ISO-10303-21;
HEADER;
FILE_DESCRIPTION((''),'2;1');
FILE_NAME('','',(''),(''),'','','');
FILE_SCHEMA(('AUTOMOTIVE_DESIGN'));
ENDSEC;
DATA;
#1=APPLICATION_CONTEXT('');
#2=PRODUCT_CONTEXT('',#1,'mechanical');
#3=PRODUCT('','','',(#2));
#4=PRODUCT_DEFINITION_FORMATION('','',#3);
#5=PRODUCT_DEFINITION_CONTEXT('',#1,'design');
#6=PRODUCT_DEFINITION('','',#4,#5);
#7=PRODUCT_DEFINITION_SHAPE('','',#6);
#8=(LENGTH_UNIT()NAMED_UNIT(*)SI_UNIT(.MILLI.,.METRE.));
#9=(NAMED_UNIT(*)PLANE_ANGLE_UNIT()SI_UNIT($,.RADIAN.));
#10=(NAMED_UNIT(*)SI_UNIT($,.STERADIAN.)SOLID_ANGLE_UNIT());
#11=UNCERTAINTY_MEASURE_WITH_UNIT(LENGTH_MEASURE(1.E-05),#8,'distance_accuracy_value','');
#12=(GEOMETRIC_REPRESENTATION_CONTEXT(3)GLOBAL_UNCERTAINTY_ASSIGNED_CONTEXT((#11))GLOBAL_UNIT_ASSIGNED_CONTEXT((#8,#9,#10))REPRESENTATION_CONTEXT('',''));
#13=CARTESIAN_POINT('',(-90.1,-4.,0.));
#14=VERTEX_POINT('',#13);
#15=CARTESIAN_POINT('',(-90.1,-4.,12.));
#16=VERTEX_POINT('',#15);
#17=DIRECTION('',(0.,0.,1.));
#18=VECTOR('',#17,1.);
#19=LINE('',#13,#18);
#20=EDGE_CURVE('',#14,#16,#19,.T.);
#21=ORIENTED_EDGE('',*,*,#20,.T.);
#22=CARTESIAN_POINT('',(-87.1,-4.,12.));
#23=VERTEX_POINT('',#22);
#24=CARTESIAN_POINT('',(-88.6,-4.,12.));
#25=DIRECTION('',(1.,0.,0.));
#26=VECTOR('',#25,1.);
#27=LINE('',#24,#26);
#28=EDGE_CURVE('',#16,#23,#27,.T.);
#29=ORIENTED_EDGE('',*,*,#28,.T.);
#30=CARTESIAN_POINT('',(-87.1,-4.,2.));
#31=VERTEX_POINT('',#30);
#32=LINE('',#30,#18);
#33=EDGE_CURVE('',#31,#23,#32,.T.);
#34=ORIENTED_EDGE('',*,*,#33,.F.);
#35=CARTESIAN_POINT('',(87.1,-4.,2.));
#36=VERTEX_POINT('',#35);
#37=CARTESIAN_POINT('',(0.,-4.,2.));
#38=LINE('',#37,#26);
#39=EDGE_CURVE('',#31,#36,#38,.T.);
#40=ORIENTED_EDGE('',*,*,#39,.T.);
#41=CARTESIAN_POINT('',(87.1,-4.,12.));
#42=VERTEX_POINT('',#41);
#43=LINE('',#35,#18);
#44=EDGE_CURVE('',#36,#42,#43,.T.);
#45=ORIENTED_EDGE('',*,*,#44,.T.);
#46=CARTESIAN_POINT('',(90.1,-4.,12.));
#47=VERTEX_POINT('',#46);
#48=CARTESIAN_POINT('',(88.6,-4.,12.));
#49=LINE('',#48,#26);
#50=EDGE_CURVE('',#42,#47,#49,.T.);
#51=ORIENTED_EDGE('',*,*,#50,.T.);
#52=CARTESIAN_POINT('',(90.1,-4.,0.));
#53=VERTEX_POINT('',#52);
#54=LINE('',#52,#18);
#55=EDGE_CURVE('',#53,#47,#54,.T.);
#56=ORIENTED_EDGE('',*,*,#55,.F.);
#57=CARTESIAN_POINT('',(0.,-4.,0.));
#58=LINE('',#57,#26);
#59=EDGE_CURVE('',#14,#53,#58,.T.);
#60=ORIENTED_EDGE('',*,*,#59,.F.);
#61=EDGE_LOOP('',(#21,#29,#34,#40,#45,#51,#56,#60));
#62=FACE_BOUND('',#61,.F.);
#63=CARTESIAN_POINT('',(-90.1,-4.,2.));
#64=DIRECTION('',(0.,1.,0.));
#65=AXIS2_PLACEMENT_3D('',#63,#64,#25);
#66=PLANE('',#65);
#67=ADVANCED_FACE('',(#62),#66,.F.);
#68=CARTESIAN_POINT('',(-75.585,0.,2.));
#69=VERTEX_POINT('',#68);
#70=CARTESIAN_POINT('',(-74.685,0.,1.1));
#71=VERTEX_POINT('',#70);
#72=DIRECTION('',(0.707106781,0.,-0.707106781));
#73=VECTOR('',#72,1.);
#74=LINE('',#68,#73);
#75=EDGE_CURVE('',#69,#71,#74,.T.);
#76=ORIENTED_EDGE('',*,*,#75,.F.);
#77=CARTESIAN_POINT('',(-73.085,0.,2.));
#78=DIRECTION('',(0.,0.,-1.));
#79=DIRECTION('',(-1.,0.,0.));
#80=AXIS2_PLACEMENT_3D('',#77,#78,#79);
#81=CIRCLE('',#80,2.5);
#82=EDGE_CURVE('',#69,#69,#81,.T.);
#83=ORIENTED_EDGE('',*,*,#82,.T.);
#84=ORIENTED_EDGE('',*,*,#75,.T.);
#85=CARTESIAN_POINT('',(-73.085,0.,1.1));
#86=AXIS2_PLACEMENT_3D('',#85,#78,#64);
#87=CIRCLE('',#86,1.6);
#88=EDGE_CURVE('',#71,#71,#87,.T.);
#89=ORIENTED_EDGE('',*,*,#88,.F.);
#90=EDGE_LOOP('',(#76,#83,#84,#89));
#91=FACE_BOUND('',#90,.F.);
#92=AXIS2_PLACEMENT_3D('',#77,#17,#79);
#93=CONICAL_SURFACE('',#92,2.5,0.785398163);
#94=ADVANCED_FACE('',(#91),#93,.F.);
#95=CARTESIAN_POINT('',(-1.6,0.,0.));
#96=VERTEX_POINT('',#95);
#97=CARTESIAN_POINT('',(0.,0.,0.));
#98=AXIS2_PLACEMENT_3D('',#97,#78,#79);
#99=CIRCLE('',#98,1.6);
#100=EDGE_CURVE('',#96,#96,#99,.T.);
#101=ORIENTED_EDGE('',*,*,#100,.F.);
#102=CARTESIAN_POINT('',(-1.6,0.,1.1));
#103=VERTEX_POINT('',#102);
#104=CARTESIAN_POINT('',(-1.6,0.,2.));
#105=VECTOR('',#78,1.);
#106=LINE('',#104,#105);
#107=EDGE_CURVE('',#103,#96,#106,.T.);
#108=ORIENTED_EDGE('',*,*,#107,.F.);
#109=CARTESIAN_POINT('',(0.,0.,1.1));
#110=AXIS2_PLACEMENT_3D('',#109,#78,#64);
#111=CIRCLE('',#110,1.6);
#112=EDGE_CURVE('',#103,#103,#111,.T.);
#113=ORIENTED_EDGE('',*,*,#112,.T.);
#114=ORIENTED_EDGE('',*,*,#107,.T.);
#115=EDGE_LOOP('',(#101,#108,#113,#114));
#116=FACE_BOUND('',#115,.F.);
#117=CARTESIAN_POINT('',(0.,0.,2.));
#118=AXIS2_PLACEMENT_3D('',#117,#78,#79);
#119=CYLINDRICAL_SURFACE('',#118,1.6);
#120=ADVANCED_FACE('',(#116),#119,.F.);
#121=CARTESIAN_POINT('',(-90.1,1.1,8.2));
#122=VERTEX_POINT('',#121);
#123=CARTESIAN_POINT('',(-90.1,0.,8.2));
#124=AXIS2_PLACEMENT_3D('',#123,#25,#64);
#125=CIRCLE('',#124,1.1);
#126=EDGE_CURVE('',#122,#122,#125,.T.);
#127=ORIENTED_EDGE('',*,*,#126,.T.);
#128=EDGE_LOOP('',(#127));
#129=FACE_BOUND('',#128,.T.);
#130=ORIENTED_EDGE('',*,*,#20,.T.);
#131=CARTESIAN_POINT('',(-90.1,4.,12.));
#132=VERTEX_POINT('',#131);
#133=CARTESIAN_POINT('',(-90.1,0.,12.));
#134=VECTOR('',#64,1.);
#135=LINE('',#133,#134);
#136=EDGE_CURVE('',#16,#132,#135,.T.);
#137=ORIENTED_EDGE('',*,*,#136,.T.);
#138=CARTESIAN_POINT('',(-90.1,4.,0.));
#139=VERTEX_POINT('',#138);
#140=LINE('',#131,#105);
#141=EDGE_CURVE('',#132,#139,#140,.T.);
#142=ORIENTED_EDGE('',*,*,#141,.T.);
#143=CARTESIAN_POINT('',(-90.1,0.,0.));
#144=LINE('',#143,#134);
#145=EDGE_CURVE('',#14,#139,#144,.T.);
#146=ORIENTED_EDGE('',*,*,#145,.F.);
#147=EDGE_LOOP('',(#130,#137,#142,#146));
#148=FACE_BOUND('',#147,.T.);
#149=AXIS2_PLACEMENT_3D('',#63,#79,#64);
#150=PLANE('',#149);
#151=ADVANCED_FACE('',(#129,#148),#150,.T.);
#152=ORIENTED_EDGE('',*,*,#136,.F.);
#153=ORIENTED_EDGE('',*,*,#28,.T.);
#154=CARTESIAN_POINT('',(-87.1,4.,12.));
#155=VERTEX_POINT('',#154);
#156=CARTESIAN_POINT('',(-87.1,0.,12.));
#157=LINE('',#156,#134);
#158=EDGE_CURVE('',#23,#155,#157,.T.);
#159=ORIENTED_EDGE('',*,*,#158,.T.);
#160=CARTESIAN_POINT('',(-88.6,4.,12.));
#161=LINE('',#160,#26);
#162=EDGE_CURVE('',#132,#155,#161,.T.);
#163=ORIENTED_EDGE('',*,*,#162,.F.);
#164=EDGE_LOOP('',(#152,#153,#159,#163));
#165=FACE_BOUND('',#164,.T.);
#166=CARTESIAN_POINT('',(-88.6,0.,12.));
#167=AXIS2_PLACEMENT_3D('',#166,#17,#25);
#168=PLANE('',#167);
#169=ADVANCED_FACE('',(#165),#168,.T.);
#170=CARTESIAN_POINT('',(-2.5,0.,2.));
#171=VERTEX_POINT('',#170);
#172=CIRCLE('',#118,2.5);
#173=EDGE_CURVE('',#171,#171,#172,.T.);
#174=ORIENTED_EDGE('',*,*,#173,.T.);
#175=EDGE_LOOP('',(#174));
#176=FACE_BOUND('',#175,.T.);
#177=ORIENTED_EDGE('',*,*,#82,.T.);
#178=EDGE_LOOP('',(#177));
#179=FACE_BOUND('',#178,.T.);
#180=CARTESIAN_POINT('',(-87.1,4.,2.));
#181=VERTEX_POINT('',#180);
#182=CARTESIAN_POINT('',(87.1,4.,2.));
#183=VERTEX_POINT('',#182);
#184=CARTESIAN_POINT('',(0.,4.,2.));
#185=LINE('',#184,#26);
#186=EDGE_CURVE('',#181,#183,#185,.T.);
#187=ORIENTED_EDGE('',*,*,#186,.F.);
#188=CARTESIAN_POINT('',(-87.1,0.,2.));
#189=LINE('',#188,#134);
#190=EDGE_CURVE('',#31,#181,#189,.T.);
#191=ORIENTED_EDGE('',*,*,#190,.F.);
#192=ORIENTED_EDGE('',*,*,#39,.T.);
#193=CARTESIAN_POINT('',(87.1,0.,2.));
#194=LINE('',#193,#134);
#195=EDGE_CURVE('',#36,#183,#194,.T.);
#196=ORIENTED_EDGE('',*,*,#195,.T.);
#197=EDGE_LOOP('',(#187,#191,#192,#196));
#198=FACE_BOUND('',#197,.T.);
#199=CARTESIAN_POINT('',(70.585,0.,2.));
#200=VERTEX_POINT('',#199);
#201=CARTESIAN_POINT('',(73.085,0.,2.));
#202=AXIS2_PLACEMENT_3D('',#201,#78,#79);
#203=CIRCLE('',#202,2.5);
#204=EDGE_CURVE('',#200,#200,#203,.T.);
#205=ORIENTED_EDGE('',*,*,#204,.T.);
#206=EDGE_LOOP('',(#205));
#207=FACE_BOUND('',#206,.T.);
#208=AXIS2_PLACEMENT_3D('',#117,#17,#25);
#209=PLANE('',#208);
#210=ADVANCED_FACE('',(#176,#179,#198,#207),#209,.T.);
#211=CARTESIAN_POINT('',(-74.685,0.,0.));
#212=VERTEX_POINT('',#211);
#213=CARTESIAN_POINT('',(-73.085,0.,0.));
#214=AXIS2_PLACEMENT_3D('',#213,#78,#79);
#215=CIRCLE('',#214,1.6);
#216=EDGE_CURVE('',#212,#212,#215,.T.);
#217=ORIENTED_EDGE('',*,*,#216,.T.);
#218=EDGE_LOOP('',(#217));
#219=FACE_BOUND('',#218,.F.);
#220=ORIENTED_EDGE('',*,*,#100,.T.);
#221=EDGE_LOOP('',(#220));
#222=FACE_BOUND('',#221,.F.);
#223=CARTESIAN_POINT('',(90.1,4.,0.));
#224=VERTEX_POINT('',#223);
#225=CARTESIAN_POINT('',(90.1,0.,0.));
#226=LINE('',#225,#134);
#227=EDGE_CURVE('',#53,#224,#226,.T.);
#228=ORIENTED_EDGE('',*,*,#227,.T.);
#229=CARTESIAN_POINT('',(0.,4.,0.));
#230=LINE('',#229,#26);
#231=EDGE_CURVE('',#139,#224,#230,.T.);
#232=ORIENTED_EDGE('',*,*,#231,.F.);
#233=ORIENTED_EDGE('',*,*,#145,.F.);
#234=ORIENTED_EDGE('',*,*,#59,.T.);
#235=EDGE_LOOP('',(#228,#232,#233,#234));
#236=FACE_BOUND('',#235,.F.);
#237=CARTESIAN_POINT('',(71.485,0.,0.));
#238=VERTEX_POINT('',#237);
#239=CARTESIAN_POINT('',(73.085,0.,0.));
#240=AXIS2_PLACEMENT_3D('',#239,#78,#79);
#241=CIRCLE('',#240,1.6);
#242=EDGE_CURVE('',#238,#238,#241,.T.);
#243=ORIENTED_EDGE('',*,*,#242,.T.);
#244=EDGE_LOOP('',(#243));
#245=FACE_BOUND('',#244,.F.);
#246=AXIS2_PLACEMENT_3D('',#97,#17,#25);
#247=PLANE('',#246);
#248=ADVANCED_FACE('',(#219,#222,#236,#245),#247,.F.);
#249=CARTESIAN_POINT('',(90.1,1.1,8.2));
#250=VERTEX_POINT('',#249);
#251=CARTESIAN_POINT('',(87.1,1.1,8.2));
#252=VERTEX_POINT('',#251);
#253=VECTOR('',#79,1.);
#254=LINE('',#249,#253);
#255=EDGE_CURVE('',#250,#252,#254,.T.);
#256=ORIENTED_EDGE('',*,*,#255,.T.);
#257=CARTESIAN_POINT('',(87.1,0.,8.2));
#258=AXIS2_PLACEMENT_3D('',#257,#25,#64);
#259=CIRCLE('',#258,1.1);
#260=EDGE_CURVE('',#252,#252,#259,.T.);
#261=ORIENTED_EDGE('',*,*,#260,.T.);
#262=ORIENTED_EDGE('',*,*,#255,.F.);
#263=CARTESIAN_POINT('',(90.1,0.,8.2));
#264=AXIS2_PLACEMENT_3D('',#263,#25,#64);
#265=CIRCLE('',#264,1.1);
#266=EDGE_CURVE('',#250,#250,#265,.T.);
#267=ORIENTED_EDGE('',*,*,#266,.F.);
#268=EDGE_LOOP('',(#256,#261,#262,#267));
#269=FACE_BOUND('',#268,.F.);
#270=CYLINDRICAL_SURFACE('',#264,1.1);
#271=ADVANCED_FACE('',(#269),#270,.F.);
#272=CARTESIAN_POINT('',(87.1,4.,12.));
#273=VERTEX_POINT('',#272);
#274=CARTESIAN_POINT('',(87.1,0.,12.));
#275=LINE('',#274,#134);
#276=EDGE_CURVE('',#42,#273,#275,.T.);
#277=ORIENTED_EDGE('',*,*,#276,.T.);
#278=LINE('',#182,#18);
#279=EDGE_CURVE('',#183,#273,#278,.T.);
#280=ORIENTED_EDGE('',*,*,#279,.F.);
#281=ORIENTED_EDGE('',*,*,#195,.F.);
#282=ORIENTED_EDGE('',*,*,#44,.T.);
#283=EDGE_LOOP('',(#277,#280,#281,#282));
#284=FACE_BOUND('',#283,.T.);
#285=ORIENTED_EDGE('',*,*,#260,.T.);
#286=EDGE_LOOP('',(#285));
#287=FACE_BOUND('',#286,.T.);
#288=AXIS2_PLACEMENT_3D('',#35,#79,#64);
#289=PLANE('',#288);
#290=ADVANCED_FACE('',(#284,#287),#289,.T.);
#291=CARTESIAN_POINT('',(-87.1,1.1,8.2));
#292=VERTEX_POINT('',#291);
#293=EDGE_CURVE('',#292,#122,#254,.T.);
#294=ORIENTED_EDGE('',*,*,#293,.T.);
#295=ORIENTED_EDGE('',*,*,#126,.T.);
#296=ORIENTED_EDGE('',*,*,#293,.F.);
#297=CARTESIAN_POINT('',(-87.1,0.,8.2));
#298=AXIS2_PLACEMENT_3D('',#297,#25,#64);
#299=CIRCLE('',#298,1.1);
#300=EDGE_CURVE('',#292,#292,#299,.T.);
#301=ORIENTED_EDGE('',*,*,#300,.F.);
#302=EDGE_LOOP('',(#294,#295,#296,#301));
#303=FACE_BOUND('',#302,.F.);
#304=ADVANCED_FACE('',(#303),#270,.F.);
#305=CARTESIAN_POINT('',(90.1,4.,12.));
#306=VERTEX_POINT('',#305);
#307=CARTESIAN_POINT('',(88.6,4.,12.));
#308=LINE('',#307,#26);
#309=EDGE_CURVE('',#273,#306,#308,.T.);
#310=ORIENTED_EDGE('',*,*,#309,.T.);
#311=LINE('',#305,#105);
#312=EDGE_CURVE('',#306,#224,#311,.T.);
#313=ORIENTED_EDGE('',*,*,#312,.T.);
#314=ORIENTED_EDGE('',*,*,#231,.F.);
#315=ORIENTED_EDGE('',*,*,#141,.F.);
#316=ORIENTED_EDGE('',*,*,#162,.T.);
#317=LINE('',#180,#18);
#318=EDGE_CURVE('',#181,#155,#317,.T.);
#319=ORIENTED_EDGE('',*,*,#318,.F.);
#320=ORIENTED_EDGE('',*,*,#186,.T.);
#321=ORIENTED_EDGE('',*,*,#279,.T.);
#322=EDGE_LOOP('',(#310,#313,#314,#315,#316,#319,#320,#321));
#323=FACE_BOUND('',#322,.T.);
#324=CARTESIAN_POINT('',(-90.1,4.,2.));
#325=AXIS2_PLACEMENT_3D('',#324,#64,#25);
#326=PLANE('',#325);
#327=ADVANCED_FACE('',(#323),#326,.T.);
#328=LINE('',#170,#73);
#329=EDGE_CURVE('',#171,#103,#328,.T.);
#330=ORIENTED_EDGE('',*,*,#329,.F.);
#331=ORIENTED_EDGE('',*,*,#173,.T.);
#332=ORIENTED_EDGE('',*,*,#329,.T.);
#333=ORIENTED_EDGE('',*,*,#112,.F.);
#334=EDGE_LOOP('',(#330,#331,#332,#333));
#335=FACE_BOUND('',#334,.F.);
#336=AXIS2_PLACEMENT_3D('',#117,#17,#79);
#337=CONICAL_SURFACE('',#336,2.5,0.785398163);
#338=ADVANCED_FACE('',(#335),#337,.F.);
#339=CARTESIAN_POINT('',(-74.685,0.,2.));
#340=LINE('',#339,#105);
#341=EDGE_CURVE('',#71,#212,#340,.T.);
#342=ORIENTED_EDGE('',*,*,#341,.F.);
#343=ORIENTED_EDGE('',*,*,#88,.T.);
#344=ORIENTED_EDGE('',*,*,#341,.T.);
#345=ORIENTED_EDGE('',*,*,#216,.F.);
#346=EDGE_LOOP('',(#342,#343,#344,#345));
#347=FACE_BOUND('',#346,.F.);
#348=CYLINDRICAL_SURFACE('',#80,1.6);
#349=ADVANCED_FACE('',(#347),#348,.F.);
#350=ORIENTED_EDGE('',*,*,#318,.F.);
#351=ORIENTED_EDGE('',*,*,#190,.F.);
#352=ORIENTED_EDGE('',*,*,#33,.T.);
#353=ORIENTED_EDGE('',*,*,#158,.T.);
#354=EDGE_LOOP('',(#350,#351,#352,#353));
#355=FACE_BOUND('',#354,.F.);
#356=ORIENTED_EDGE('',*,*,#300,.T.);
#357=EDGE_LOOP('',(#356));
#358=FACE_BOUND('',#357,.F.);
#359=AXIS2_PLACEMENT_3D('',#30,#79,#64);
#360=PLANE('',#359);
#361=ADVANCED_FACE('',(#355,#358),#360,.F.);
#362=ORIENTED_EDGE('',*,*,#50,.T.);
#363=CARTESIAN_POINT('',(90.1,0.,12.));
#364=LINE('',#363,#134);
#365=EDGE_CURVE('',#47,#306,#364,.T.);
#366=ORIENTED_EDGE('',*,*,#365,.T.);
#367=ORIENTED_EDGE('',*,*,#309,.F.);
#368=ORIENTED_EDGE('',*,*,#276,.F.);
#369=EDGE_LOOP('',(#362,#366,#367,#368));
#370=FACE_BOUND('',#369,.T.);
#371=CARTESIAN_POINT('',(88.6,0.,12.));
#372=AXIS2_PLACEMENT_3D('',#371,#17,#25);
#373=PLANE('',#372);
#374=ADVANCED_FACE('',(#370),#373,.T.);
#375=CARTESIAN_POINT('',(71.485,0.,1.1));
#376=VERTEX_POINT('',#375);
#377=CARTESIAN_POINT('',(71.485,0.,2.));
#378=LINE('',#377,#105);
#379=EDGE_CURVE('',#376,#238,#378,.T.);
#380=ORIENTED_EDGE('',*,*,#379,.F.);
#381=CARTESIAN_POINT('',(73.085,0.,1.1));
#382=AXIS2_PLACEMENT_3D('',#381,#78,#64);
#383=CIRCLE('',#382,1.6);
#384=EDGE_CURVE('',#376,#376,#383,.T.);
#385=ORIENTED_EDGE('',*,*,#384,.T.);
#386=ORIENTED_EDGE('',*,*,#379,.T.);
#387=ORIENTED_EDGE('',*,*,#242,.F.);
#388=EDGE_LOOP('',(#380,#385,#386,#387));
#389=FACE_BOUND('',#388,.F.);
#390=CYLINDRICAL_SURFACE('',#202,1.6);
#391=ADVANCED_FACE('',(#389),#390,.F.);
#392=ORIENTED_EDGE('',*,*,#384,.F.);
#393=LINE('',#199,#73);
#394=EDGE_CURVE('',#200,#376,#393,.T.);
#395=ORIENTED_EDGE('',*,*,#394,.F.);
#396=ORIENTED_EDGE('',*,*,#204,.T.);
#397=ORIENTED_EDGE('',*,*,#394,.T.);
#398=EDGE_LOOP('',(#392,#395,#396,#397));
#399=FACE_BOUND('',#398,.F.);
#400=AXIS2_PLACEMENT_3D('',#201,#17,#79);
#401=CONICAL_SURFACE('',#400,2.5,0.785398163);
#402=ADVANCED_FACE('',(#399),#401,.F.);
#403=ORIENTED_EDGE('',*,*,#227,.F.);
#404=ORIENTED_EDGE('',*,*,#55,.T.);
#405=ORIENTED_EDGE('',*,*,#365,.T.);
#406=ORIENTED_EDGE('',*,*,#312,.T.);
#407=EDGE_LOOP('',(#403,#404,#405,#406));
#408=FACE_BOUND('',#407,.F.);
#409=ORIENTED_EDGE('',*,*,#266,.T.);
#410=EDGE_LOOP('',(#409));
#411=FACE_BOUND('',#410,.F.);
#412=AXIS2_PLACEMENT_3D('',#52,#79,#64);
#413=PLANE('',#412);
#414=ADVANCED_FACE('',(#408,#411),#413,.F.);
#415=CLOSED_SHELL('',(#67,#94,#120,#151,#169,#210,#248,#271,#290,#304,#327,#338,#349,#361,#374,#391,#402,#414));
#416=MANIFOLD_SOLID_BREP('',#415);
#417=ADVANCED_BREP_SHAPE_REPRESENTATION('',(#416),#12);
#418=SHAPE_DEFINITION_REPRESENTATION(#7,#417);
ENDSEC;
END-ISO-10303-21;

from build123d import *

# Parameters (mm, degrees)
SKETCH_W            = 180.2
SKETCH_H            = 8
PAD_DEPTH           = 2
SKETCH001_W         = 3
SKETCH001_H         = 8
PAD001_DEPTH        = 10
SKETCH002_R         = 1.1
HOLE_DEPTH          = 180.201
HOLE001_D           = 3.2
HOLE001_CSINK_D     = 5
HOLE001_CSINK_ANGLE = 90


with BuildPart() as part:
    # Sketch → Pad (new body)
    with BuildSketch(Plane.XY):
        Rectangle(SKETCH_W, SKETCH_H)
    extrude(amount=PAD_DEPTH)

    # Sketch001 (on Face6 of Pad) → Pad001 (join)
    with BuildSketch(Plane.XY.offset(2)):
        with Locations((-88.6, 0)):
            Rectangle(SKETCH001_W, SKETCH001_H)
        with Locations((88.6, 0)):
            Rectangle(SKETCH001_W, SKETCH001_H)
    extrude(amount=PAD001_DEPTH)

    # Sketch002 → Hole (cut, through all)
    with BuildSketch(Plane.YZ.offset(90.1)):
        with Locations((0, 8.2)):
            Circle(SKETCH002_R)
    extrude(amount=-HOLE_DEPTH, mode=Mode.SUBTRACT)

    # Hole001 (through all)
    with Locations(Plane.XY.offset(2)):
        with Locations((-73.085, 0), (0, 0), (73.085, 0)):
            CounterSinkHole(HOLE001_D / 2, HOLE001_CSINK_D / 2, counter_sink_angle=HOLE001_CSINK_ANGLE)


solid = part.part
